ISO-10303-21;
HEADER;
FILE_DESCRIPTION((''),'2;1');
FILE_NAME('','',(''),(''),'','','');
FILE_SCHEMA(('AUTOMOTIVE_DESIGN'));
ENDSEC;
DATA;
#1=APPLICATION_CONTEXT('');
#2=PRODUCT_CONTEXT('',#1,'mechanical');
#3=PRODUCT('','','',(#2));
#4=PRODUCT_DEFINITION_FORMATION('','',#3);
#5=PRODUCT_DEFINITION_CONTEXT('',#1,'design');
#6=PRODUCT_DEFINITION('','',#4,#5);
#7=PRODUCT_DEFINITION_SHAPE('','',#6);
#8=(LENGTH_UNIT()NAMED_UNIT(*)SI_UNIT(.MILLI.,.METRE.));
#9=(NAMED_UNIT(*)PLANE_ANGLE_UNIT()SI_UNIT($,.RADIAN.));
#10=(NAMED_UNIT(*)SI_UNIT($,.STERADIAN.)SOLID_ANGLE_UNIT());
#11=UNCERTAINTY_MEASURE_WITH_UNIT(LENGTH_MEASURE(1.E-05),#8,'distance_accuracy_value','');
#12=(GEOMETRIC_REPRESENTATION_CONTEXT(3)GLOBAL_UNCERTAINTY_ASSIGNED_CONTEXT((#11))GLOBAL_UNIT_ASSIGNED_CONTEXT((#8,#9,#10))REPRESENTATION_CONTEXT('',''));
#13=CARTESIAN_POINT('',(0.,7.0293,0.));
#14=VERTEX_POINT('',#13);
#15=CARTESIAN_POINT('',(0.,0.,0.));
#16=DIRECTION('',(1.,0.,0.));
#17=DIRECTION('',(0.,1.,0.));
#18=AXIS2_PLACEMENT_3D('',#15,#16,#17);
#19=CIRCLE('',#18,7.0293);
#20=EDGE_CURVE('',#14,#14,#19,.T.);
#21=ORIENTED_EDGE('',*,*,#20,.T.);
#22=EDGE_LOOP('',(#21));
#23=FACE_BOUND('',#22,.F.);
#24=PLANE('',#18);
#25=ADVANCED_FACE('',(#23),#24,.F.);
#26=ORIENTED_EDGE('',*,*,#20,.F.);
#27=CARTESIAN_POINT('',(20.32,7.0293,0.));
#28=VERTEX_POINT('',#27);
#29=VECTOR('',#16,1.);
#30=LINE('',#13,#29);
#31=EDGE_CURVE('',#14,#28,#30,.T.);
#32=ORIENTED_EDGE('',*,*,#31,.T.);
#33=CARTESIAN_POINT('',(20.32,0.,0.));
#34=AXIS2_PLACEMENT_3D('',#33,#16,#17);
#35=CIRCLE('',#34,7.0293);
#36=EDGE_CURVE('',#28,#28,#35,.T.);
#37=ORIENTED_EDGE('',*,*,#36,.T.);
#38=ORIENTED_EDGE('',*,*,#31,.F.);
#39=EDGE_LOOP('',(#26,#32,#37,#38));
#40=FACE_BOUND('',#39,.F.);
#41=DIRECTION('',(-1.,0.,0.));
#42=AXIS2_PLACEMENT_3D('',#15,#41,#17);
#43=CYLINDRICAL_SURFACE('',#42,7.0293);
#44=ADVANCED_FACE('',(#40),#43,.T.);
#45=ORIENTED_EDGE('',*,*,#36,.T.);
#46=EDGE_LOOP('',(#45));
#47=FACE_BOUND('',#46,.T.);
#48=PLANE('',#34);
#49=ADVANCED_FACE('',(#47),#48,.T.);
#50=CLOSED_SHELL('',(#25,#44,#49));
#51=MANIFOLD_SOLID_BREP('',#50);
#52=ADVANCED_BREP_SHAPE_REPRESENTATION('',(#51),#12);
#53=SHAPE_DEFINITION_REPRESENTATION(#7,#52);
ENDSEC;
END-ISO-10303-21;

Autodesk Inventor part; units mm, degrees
ref_plane "YZ Plane" through (0, 0, 0) normal (1, 0, 0) x (0, 1, 0)
ref_plane "XZ Plane" through (0, 0, 0) normal (0, 1, 0) x (-1, 0, 0)
ref_plane "XY Plane" through (0, 0, 0) normal (0, 0, 1) x (1, 0, 0)
sketch "Sketch1" plane through (0, 0, 0) normal (1, 0, 0) x (0, 1, 0)
  circle A0 centre (0, 0) radius 7.0293
extrude "Extrusion1" add sketch "Sketch1" along normal blind 20.32
properties part number "Servo Extrude Block"
